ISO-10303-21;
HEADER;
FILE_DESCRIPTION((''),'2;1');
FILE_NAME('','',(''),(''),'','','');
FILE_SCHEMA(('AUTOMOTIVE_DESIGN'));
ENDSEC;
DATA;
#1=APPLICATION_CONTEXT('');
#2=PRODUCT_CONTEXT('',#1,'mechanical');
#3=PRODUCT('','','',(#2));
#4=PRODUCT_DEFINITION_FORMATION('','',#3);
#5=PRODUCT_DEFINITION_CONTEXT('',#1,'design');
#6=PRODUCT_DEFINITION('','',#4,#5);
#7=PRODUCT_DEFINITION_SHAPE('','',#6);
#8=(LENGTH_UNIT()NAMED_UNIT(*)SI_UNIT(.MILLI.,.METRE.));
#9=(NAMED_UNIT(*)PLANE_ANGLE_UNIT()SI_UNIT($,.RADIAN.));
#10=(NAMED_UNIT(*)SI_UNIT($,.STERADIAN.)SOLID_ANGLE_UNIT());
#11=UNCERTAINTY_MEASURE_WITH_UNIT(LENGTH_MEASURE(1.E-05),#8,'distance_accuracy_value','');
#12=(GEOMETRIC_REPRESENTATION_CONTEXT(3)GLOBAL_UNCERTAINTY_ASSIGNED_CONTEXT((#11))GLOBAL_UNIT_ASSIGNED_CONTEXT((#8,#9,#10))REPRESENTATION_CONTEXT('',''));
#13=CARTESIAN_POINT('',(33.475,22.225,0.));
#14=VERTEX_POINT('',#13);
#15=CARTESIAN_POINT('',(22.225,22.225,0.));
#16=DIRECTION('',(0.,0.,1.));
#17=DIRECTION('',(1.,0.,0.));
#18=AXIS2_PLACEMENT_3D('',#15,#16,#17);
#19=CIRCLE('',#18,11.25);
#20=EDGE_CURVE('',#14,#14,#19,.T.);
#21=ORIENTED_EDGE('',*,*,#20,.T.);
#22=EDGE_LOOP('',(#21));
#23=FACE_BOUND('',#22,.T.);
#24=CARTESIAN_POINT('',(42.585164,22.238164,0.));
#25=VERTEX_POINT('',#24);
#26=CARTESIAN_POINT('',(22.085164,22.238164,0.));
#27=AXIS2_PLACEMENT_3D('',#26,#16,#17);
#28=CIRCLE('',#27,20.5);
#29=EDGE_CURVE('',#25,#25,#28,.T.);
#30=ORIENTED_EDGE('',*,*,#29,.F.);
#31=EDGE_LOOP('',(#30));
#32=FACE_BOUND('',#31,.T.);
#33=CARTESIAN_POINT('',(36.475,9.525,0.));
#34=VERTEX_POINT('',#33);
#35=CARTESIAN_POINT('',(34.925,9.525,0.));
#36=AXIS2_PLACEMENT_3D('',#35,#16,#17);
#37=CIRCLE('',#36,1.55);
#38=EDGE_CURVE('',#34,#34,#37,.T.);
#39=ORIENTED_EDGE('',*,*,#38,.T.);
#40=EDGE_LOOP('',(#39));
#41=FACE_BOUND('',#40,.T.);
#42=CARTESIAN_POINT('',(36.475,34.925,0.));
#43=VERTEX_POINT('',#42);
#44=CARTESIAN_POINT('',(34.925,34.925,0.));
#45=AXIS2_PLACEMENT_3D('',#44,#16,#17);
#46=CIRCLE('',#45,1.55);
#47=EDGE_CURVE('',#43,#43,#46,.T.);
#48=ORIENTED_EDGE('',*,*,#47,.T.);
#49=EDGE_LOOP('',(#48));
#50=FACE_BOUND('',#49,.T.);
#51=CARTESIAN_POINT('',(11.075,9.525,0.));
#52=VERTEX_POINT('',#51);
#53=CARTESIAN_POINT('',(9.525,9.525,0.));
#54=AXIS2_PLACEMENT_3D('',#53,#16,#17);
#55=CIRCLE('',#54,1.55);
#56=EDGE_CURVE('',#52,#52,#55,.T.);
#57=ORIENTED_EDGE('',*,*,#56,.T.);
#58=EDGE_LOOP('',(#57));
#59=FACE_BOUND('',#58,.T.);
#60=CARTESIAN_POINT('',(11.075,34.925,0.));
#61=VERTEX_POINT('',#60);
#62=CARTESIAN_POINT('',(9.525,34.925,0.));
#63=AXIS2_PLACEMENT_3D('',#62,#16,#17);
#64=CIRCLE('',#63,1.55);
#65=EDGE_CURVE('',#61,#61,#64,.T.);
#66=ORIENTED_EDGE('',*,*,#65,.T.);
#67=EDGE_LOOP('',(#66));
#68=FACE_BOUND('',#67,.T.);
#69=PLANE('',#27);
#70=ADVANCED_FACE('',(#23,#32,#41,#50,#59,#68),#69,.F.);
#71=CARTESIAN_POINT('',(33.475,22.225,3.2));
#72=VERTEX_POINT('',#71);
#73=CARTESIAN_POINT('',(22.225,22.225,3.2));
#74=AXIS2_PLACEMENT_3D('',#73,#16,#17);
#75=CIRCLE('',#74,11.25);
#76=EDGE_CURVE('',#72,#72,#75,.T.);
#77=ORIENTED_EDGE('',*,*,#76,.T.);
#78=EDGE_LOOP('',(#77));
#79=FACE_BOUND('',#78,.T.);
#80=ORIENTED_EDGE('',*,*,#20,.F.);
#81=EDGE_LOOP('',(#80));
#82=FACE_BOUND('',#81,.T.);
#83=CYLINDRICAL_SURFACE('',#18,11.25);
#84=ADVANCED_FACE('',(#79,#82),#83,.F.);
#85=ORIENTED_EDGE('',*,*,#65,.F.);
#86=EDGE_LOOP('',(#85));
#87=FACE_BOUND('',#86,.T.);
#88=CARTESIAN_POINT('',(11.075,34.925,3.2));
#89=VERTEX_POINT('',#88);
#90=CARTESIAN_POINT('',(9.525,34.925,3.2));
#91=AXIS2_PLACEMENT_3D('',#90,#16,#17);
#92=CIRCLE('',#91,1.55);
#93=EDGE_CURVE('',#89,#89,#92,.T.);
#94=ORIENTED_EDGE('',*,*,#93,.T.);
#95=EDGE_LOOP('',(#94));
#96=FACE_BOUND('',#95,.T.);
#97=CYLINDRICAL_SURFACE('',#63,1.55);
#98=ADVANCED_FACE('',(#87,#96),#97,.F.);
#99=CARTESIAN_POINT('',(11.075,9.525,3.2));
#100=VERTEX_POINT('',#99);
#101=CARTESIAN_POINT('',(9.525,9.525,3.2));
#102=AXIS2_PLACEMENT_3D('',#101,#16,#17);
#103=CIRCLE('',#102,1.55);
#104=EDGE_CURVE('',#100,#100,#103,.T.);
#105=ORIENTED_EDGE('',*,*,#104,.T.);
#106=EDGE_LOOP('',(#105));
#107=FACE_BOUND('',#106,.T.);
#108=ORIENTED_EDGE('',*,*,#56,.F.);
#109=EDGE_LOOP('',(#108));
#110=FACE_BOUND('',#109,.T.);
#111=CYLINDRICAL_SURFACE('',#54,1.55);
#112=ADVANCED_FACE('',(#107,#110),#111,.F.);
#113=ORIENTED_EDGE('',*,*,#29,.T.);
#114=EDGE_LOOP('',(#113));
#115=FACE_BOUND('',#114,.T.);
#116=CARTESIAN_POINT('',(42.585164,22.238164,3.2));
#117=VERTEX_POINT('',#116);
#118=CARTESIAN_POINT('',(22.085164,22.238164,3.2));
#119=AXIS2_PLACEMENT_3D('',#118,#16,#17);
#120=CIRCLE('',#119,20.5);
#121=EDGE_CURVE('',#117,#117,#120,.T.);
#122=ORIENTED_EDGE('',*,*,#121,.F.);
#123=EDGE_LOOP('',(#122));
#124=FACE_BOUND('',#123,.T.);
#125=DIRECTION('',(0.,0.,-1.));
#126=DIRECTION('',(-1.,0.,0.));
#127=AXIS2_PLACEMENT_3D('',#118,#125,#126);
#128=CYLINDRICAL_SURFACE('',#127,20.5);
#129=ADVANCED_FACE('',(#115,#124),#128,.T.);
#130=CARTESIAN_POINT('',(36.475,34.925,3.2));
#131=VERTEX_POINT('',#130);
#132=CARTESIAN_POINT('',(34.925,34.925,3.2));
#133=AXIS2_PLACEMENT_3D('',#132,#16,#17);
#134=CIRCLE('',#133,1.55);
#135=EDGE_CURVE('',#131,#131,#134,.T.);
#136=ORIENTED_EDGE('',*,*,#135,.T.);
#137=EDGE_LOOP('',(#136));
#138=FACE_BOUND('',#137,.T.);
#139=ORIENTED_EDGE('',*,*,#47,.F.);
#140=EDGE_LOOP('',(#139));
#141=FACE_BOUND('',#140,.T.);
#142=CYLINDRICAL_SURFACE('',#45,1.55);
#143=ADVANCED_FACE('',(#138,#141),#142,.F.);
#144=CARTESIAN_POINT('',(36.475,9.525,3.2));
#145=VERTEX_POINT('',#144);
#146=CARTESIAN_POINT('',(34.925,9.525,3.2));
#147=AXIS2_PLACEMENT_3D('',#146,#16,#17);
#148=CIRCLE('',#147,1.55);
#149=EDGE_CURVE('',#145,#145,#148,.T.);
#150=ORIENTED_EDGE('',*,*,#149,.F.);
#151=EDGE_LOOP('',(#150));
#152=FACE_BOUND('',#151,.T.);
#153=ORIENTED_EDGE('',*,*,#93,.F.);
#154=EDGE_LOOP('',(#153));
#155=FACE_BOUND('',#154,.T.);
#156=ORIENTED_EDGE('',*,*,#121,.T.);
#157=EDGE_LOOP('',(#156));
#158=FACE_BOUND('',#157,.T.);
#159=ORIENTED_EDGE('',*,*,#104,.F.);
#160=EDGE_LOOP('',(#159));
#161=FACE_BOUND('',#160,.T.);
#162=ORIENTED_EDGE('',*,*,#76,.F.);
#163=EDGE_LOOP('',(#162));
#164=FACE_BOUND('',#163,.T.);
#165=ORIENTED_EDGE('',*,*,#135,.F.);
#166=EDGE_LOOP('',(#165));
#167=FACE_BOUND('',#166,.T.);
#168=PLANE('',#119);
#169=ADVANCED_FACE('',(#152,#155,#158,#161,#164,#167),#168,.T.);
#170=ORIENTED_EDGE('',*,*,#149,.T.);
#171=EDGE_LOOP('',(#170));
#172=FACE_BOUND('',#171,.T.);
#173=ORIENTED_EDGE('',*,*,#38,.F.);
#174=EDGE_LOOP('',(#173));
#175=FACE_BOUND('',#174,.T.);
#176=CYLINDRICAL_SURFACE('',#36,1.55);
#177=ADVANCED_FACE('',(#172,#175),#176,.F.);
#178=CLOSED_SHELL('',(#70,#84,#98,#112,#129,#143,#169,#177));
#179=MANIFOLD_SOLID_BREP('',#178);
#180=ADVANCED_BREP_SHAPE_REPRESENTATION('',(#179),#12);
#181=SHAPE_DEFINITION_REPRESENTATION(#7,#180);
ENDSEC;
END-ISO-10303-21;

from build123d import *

# Parameters (mm, degrees)
SKETCH1_R          = 20.5
EXTRUDE1_DEPTH     = 3.2
SKETCH2_R          = 11.25
CUT_EXTRUDE1_DEPTH = 61.417603842
SKETCH3_R          = 1.55
CUT_EXTRUDE2_DEPTH = 61.417603842


with BuildPart() as part:
    # Sketch1 → Extrude1 (new body)
    with BuildSketch(Plane.XY):
        with Locations((22.085163637, 22.23816435)):
            Circle(SKETCH1_R)
    extrude(amount=EXTRUDE1_DEPTH)

    # Sketch2 → Cut-Extrude1 (cut, through all)
    with BuildSketch(Plane.XY.offset(3.2)):
        with Locations((22.225, 22.225)):
            Circle(SKETCH2_R)
    extrude(amount=-CUT_EXTRUDE1_DEPTH, mode=Mode.SUBTRACT)

    # Sketch3 → Cut-Extrude2 (cut, through all)
    with BuildSketch(Plane.XY.offset(3.2)):
        with Locations((34.925, 34.925)):
            Circle(SKETCH3_R)
        with Locations((9.525, 34.925)):
            Circle(SKETCH3_R)
        with Locations((34.925, 9.525)):
            Circle(SKETCH3_R)
        with Locations((9.525, 9.525)):
            Circle(SKETCH3_R)
    extrude(amount=-CUT_EXTRUDE2_DEPTH, mode=Mode.SUBTRACT)


solid = part.part
